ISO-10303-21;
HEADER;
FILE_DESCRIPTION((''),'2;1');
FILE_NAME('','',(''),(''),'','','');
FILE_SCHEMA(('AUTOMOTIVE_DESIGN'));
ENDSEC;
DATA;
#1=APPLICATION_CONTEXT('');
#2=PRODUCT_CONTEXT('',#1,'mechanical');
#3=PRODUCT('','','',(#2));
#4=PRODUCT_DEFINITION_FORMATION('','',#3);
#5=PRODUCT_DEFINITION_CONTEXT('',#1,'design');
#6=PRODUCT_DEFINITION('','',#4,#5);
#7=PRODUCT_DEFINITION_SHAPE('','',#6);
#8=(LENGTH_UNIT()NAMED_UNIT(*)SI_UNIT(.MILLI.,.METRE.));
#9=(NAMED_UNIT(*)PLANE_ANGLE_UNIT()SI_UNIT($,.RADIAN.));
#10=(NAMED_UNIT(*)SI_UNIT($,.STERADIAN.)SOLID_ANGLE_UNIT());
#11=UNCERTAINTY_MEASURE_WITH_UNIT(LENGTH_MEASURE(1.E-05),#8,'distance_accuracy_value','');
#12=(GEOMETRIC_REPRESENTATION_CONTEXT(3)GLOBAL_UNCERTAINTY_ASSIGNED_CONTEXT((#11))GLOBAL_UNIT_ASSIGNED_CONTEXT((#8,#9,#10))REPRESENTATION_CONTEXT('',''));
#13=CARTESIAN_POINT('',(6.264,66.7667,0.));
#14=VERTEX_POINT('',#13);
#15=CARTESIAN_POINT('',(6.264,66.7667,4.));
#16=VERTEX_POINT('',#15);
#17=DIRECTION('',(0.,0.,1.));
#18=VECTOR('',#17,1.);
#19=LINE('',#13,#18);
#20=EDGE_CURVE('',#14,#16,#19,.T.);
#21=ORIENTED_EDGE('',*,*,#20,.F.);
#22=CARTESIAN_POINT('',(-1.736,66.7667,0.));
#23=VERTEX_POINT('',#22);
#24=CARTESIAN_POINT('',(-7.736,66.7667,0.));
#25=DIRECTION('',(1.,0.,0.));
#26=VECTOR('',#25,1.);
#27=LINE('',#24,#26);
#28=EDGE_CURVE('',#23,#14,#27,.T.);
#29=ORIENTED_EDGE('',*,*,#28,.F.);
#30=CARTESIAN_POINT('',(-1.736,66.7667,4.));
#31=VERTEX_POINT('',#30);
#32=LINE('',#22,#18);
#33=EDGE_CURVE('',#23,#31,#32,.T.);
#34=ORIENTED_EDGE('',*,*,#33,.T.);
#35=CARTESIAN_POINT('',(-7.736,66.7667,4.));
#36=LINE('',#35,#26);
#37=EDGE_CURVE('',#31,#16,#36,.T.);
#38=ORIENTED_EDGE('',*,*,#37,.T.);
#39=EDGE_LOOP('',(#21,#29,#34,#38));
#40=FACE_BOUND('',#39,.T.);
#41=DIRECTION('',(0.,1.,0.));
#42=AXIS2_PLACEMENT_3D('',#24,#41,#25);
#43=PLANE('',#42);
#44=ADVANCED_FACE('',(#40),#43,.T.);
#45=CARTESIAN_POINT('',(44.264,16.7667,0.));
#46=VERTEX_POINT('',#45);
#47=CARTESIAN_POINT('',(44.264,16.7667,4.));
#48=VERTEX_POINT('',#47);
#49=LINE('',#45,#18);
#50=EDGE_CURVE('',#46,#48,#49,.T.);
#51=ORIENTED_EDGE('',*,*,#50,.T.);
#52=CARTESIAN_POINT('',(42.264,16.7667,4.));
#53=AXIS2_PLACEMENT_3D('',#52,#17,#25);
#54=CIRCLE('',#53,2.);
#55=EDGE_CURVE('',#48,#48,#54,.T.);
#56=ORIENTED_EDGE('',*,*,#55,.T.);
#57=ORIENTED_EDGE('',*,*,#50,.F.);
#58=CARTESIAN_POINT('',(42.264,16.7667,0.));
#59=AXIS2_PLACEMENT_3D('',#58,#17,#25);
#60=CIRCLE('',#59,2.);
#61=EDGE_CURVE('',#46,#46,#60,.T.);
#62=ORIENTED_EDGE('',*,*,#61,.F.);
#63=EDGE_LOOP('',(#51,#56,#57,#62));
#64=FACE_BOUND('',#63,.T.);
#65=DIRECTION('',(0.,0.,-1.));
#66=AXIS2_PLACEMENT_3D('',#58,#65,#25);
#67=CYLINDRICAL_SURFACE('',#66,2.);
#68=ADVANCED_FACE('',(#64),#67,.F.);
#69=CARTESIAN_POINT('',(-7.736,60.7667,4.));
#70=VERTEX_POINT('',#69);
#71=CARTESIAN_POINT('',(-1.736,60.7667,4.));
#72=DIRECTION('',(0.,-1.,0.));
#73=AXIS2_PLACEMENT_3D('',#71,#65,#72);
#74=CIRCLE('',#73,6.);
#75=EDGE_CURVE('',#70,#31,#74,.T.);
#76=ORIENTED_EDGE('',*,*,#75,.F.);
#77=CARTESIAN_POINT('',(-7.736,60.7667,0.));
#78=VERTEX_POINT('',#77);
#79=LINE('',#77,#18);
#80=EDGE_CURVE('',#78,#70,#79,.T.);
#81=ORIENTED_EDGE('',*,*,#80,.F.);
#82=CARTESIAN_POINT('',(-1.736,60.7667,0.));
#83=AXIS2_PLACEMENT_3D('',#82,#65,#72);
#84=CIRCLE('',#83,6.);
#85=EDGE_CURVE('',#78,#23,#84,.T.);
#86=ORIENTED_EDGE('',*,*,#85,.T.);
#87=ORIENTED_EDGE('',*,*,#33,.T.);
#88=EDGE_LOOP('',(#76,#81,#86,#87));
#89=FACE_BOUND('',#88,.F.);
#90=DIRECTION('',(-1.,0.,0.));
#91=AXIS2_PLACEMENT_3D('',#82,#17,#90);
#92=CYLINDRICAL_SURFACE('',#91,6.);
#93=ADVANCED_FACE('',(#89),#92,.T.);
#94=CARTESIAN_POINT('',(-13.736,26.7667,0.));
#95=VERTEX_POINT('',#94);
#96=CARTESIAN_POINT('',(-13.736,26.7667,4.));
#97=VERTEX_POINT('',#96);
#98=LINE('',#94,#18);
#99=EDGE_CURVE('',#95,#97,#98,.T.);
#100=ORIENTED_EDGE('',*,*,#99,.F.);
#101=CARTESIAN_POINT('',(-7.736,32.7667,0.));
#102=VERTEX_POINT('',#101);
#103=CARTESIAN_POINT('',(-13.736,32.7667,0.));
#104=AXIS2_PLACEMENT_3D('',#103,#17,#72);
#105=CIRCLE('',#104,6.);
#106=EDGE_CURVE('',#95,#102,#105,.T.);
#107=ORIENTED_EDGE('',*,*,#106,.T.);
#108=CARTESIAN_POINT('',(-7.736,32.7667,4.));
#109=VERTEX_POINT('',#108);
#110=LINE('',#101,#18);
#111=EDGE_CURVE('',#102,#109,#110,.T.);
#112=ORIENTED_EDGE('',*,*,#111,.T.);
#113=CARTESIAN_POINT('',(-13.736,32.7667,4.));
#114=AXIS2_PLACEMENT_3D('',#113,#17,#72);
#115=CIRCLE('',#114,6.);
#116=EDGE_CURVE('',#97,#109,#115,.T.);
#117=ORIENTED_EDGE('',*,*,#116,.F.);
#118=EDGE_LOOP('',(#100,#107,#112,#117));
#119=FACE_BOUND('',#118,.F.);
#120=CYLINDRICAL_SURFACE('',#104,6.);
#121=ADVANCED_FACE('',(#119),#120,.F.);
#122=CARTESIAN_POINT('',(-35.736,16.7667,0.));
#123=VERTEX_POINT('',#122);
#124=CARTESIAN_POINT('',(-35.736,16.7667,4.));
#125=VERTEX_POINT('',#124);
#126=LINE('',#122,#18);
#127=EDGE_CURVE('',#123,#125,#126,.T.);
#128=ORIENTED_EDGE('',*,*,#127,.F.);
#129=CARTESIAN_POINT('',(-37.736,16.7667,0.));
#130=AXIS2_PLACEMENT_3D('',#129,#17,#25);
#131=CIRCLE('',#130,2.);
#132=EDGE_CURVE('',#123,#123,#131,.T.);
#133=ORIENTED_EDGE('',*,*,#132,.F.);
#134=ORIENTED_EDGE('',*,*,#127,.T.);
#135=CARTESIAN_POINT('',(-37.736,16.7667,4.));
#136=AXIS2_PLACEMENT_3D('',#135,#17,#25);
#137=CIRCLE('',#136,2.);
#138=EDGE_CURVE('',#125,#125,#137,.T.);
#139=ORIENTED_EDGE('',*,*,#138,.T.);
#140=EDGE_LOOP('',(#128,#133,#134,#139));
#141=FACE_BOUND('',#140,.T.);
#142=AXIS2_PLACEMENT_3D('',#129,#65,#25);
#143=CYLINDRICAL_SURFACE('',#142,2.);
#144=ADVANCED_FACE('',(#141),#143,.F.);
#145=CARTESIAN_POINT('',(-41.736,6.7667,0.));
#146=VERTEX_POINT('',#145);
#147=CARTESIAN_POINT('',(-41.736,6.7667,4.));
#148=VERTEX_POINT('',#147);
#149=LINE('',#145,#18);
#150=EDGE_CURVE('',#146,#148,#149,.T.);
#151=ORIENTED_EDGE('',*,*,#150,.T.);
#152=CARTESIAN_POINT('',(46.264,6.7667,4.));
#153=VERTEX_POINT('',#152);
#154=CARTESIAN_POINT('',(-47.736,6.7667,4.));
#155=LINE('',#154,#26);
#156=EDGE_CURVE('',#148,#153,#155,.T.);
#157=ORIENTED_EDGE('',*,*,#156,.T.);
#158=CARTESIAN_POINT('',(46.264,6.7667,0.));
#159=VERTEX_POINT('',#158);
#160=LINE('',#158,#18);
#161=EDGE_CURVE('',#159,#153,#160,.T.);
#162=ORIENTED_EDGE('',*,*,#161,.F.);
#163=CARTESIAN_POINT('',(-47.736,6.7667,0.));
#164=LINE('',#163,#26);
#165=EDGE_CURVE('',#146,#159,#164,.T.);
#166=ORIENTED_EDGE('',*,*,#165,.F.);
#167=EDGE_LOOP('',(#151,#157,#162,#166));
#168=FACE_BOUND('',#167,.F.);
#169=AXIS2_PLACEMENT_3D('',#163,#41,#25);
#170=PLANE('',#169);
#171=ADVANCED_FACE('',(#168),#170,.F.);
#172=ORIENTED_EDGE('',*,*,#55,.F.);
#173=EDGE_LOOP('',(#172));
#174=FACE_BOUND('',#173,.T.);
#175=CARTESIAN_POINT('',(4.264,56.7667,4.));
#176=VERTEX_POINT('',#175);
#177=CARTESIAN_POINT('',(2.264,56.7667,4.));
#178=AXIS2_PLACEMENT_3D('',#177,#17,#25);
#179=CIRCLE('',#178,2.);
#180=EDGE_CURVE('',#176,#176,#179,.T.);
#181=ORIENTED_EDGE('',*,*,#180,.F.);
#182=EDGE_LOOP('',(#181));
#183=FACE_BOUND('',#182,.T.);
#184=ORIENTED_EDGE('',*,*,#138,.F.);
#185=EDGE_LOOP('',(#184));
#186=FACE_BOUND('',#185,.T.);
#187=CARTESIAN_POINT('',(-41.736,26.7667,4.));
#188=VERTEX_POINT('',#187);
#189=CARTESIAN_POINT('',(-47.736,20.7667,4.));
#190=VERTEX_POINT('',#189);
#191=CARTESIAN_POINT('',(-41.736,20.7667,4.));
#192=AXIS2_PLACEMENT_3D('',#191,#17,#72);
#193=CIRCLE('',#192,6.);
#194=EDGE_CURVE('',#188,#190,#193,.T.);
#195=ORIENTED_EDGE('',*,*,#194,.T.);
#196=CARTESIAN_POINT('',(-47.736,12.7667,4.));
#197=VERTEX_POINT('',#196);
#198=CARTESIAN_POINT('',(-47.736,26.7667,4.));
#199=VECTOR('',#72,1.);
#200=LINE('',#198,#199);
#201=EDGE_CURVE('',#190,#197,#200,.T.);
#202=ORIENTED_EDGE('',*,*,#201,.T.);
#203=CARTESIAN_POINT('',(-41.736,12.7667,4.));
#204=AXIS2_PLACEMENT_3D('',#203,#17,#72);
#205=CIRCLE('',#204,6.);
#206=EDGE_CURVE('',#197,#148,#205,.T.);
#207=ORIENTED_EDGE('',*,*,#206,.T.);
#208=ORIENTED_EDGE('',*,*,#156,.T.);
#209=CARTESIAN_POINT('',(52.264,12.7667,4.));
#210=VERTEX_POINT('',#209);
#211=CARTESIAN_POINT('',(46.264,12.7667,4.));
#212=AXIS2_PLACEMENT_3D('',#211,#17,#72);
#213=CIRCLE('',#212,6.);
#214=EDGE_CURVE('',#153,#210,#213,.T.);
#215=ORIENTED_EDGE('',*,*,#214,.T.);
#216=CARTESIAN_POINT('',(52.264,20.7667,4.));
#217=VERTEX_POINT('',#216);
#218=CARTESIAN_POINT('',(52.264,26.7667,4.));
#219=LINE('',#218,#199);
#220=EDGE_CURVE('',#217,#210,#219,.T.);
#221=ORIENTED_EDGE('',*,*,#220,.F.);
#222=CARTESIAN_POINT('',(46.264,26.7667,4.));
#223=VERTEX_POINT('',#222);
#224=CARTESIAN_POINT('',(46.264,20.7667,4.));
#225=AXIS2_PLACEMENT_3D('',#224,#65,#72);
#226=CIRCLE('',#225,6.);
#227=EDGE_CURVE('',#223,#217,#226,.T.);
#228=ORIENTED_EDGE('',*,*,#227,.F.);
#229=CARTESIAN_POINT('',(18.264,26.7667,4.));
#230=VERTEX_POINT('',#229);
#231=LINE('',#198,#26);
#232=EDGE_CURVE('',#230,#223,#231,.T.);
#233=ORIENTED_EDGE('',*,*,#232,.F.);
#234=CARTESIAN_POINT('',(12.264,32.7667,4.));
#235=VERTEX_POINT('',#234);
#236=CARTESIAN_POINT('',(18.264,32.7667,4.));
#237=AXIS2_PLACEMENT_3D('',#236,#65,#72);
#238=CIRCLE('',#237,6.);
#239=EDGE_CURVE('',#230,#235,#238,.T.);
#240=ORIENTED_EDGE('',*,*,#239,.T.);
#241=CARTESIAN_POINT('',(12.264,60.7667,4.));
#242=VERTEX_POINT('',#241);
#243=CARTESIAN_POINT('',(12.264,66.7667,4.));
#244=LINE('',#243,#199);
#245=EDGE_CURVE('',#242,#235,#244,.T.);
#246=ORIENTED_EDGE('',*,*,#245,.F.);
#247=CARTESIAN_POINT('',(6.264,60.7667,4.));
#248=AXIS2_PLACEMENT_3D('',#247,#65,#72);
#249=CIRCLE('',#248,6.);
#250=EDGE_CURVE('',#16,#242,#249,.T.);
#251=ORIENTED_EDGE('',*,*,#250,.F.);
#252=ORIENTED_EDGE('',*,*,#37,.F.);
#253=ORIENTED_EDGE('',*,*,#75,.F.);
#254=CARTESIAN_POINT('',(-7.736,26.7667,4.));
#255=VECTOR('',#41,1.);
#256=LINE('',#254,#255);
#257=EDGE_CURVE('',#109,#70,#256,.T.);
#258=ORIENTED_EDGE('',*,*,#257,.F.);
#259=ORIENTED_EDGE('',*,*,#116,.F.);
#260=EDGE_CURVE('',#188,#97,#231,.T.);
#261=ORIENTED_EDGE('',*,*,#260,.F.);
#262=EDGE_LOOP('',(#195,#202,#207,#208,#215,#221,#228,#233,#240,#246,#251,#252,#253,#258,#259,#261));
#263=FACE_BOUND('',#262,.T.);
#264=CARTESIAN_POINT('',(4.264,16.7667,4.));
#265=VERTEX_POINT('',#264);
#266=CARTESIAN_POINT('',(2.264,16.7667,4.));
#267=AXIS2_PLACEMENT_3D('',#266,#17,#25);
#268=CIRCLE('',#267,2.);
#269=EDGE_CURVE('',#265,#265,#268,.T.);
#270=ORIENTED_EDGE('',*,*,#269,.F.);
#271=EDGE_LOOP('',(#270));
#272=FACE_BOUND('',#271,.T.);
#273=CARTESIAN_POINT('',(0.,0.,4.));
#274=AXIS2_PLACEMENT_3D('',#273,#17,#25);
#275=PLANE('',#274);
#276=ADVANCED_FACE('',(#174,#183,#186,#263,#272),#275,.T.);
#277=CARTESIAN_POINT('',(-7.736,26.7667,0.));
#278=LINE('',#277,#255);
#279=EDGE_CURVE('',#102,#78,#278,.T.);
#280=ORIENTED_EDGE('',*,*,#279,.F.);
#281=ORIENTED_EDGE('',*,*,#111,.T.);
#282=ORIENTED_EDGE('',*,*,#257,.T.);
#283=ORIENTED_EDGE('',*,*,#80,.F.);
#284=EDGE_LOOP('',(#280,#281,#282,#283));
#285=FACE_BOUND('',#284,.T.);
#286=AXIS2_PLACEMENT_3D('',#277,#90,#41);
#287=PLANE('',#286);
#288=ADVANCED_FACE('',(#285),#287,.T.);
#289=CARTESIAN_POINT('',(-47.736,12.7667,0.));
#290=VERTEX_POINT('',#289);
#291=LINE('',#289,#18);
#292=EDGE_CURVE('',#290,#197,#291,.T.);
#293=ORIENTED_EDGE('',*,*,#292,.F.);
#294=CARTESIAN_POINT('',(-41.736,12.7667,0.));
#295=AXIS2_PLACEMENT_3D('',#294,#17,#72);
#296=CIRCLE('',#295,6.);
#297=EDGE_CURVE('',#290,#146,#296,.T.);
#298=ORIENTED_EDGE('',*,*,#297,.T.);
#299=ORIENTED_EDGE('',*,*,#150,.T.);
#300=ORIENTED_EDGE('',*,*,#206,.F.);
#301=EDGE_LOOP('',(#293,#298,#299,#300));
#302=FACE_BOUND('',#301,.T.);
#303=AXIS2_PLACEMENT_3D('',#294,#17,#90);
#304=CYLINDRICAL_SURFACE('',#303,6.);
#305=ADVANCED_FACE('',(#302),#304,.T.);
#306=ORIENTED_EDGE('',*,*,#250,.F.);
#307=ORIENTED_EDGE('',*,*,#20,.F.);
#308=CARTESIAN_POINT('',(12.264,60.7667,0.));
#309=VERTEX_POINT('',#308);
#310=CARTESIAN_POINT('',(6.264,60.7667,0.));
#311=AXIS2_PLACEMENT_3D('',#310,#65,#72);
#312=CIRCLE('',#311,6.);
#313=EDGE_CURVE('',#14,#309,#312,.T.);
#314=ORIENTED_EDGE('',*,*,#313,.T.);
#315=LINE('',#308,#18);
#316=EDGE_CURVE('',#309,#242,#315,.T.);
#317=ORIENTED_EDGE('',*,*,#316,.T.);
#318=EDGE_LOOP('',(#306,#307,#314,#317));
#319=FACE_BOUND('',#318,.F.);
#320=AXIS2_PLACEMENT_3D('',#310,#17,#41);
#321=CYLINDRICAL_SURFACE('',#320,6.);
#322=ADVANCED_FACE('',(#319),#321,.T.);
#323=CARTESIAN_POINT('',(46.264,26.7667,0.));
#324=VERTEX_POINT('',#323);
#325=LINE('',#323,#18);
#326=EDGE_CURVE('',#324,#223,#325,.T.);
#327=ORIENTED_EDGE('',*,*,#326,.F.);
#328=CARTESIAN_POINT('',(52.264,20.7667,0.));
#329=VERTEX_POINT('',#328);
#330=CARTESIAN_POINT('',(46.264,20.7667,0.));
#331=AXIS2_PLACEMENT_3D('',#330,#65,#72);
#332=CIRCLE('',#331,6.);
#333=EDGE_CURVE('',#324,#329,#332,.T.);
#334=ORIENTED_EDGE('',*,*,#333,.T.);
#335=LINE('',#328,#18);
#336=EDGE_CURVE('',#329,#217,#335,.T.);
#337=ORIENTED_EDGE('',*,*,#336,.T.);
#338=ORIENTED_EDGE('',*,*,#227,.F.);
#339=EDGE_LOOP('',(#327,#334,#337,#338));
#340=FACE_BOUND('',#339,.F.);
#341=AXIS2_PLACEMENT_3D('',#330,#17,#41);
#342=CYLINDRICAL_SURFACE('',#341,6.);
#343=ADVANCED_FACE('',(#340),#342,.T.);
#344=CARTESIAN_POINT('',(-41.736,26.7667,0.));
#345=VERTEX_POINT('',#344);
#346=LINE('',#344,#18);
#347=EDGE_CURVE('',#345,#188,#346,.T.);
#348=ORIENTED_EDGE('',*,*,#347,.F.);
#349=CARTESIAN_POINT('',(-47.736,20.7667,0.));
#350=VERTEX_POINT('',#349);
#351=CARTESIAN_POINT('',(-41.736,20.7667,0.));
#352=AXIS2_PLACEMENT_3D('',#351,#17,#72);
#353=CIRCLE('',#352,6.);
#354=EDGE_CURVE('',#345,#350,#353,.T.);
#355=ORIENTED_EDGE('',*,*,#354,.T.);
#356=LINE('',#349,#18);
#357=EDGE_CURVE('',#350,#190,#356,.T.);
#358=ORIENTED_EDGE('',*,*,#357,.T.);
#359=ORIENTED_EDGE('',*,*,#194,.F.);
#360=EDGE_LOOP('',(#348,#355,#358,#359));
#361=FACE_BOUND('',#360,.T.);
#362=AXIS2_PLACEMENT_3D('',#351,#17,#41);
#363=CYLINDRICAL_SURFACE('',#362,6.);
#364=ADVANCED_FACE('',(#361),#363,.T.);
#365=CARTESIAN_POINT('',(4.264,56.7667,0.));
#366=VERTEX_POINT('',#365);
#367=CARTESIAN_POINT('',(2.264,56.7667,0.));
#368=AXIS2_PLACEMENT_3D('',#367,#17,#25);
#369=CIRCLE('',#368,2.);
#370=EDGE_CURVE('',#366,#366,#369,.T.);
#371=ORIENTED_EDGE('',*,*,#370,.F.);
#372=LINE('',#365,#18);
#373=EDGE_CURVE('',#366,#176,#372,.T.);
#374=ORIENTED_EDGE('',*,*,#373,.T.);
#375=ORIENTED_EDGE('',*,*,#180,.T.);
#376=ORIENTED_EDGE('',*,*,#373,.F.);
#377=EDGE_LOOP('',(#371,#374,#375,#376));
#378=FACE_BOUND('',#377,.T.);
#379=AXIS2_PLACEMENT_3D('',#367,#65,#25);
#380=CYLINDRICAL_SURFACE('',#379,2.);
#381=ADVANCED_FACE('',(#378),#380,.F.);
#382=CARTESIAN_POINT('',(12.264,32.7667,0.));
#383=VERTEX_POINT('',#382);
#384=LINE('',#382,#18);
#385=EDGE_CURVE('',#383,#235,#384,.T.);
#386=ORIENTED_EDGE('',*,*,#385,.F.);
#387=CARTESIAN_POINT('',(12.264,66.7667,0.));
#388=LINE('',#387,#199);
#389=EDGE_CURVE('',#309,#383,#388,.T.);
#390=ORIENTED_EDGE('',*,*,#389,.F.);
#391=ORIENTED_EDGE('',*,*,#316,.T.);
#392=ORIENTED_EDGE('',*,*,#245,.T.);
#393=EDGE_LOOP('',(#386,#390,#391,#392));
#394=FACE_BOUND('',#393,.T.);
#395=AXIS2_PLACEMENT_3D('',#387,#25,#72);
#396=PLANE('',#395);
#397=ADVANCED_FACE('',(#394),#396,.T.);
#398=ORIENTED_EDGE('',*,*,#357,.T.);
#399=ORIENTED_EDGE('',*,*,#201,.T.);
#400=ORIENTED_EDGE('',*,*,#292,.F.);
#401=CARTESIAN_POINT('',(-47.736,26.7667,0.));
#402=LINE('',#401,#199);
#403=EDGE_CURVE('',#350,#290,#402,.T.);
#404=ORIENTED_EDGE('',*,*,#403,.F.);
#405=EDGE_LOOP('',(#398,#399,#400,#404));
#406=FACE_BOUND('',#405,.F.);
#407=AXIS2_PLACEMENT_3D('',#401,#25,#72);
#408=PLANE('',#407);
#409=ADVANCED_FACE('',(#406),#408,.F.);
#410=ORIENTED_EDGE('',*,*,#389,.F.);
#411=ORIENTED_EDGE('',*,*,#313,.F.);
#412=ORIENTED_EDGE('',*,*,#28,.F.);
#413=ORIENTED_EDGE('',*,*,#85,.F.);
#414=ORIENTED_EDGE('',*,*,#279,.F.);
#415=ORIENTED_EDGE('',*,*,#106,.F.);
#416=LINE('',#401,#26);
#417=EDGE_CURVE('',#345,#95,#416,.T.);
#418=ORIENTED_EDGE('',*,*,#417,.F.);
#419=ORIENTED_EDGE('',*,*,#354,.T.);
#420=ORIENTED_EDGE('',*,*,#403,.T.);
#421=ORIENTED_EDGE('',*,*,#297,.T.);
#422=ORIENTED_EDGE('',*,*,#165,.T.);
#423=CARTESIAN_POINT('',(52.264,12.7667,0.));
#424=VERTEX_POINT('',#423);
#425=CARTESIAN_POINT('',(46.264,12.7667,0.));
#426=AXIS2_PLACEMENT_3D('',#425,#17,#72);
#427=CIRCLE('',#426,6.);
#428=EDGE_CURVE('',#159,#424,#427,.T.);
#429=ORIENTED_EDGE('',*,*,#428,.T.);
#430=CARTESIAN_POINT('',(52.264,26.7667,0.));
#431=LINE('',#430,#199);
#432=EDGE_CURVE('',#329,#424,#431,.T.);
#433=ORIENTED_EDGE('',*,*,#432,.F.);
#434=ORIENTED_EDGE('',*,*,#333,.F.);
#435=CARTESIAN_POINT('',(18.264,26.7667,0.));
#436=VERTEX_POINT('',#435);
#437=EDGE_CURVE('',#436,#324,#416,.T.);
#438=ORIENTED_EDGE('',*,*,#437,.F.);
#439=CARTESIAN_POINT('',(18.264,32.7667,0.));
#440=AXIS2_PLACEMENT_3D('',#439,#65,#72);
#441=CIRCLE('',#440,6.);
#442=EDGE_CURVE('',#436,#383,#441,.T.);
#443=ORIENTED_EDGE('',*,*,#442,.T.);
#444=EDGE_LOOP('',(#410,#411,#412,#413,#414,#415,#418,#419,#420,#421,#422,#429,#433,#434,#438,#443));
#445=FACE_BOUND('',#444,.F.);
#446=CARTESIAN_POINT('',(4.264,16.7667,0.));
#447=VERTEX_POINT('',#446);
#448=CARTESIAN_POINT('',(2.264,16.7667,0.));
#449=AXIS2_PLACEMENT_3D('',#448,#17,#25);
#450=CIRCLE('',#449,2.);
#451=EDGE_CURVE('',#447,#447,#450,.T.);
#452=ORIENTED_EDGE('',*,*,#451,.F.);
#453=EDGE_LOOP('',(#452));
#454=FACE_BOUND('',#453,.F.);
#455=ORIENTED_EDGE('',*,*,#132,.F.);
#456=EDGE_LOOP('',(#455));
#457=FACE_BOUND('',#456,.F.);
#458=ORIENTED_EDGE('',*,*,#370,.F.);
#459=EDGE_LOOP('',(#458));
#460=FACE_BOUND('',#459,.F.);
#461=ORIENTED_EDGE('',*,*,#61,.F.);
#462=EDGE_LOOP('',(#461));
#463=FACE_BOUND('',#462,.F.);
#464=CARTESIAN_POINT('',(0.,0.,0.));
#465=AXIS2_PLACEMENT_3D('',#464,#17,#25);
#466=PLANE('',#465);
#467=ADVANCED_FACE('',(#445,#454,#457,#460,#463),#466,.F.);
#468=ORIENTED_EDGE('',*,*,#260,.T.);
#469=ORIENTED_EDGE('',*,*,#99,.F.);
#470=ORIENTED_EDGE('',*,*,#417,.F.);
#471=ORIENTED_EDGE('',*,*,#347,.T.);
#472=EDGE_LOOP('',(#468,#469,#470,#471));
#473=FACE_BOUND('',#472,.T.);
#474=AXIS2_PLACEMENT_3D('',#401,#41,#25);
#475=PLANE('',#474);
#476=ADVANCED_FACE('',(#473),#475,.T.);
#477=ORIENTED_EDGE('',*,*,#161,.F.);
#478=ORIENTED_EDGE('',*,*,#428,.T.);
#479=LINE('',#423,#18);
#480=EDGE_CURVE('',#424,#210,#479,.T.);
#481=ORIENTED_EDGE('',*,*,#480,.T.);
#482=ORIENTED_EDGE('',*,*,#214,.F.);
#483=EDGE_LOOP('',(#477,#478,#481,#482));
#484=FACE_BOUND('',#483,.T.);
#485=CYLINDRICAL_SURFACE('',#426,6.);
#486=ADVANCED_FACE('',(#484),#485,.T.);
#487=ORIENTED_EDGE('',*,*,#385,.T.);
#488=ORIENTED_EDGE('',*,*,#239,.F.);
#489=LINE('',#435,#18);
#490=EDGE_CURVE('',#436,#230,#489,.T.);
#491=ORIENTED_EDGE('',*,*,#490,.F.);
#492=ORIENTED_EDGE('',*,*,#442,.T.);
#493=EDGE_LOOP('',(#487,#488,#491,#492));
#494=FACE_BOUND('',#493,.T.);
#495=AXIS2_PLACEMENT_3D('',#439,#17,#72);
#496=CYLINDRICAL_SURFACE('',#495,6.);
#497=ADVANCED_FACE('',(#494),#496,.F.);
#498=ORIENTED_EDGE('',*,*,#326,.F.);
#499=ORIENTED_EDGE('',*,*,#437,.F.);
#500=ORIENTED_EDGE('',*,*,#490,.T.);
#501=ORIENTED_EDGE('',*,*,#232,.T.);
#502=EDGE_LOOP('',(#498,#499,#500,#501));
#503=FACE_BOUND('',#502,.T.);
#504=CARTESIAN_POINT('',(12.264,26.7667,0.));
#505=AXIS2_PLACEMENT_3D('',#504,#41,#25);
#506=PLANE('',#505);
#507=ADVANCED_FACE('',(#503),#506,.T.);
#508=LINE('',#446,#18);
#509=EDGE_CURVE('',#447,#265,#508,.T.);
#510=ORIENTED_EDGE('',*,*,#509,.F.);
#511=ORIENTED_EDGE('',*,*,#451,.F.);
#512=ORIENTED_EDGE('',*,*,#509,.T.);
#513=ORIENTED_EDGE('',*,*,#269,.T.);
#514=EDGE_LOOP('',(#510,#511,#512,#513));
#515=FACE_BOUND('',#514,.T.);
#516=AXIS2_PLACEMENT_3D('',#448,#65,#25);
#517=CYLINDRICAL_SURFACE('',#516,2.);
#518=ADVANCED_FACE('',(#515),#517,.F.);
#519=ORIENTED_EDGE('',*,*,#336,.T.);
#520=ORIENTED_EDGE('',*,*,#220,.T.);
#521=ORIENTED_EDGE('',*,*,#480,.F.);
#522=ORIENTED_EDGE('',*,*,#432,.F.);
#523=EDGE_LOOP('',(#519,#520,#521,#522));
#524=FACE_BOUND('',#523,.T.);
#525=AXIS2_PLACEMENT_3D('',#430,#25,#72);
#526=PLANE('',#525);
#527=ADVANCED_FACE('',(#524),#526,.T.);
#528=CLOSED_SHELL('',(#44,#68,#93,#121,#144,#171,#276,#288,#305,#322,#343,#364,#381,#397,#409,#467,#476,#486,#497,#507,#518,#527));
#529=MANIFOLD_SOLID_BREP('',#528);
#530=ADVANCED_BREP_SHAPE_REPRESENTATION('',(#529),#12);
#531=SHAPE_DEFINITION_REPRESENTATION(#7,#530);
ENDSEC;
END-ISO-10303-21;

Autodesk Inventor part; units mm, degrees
ref_plane "YZ Plane" through (0, 0, 0) normal (1, 0, 0) x (0, 1, 0)
ref_plane "XZ Plane" through (0, 0, 0) normal (0, 1, 0) x (-1, 0, 0)
ref_plane "XY Plane" through (0, 0, 0) normal (0, 0, 1) x (1, 0, 0)
sketch "Szkic1" plane through (0, 0, 0) normal (0, 0, 1) x (1, 0, 0)
  line L0 (-47.736, 26.7667) -> (-47.736, 6.7667)
  line L1 (-47.736, 26.7667) -> (52.264, 26.7667)
  line L2 (52.264, 26.7667) -> (52.264, 6.7667)
  circle A0 centre (-37.736, 16.7667) radius 2
  circle A1 centre (2.264, 16.7667) radius 2
  circle A2 centre (42.264, 16.7667) radius 2
  line L3 (-7.736, 26.7667) -> (-7.736, 66.7667)
  line L4 (-7.736, 66.7667) -> (12.264, 66.7667)
  line L5 (12.264, 66.7667) -> (12.264, 26.7667)
  circle A3 centre (2.264, 56.7667) radius 2
  line L6 (-47.736, 6.7667) -> (52.264, 6.7667)
  point P0 (0, 0)
  dimension "d0" = 20
  dimension "d1" = 100
  dimension "d4" = 4
  dimension "d5" = 4
  dimension "d6" = 4
  dimension "d7" = 10
  dimension "d8" = 10
  dimension "d9" = 10
  dimension "d10" = 10
  dimension "d11" = 10
  dimension "d12" = 50
  dimension "d13" = 40
  dimension "d14" = 20
  dimension "d15" = 40
  dimension "d16" = 10
  dimension "d17" = 10
  dimension "d18" = 4
extrude "Wyciągnięcie proste1" add sketch "Szkic1" along normal blind 4
fillet "Zaokrąglenie1" radius 6 8 edges at (12.264, 26.7667, 2) (12.264, 66.7667, 2) (-7.736, 66.7667, 2) (-7.736, 26.7667, 2) (-47.736, 26.7667, 2) (52.264, 26.7667, 2) (-47.736, 6.7667, 2) (52.264, 6.7667, 2)
equation "\"d12\" = 0.5 * d1"
properties part number "LC_ALU_4mm_Heatbed_Frame_T_Bracket"
